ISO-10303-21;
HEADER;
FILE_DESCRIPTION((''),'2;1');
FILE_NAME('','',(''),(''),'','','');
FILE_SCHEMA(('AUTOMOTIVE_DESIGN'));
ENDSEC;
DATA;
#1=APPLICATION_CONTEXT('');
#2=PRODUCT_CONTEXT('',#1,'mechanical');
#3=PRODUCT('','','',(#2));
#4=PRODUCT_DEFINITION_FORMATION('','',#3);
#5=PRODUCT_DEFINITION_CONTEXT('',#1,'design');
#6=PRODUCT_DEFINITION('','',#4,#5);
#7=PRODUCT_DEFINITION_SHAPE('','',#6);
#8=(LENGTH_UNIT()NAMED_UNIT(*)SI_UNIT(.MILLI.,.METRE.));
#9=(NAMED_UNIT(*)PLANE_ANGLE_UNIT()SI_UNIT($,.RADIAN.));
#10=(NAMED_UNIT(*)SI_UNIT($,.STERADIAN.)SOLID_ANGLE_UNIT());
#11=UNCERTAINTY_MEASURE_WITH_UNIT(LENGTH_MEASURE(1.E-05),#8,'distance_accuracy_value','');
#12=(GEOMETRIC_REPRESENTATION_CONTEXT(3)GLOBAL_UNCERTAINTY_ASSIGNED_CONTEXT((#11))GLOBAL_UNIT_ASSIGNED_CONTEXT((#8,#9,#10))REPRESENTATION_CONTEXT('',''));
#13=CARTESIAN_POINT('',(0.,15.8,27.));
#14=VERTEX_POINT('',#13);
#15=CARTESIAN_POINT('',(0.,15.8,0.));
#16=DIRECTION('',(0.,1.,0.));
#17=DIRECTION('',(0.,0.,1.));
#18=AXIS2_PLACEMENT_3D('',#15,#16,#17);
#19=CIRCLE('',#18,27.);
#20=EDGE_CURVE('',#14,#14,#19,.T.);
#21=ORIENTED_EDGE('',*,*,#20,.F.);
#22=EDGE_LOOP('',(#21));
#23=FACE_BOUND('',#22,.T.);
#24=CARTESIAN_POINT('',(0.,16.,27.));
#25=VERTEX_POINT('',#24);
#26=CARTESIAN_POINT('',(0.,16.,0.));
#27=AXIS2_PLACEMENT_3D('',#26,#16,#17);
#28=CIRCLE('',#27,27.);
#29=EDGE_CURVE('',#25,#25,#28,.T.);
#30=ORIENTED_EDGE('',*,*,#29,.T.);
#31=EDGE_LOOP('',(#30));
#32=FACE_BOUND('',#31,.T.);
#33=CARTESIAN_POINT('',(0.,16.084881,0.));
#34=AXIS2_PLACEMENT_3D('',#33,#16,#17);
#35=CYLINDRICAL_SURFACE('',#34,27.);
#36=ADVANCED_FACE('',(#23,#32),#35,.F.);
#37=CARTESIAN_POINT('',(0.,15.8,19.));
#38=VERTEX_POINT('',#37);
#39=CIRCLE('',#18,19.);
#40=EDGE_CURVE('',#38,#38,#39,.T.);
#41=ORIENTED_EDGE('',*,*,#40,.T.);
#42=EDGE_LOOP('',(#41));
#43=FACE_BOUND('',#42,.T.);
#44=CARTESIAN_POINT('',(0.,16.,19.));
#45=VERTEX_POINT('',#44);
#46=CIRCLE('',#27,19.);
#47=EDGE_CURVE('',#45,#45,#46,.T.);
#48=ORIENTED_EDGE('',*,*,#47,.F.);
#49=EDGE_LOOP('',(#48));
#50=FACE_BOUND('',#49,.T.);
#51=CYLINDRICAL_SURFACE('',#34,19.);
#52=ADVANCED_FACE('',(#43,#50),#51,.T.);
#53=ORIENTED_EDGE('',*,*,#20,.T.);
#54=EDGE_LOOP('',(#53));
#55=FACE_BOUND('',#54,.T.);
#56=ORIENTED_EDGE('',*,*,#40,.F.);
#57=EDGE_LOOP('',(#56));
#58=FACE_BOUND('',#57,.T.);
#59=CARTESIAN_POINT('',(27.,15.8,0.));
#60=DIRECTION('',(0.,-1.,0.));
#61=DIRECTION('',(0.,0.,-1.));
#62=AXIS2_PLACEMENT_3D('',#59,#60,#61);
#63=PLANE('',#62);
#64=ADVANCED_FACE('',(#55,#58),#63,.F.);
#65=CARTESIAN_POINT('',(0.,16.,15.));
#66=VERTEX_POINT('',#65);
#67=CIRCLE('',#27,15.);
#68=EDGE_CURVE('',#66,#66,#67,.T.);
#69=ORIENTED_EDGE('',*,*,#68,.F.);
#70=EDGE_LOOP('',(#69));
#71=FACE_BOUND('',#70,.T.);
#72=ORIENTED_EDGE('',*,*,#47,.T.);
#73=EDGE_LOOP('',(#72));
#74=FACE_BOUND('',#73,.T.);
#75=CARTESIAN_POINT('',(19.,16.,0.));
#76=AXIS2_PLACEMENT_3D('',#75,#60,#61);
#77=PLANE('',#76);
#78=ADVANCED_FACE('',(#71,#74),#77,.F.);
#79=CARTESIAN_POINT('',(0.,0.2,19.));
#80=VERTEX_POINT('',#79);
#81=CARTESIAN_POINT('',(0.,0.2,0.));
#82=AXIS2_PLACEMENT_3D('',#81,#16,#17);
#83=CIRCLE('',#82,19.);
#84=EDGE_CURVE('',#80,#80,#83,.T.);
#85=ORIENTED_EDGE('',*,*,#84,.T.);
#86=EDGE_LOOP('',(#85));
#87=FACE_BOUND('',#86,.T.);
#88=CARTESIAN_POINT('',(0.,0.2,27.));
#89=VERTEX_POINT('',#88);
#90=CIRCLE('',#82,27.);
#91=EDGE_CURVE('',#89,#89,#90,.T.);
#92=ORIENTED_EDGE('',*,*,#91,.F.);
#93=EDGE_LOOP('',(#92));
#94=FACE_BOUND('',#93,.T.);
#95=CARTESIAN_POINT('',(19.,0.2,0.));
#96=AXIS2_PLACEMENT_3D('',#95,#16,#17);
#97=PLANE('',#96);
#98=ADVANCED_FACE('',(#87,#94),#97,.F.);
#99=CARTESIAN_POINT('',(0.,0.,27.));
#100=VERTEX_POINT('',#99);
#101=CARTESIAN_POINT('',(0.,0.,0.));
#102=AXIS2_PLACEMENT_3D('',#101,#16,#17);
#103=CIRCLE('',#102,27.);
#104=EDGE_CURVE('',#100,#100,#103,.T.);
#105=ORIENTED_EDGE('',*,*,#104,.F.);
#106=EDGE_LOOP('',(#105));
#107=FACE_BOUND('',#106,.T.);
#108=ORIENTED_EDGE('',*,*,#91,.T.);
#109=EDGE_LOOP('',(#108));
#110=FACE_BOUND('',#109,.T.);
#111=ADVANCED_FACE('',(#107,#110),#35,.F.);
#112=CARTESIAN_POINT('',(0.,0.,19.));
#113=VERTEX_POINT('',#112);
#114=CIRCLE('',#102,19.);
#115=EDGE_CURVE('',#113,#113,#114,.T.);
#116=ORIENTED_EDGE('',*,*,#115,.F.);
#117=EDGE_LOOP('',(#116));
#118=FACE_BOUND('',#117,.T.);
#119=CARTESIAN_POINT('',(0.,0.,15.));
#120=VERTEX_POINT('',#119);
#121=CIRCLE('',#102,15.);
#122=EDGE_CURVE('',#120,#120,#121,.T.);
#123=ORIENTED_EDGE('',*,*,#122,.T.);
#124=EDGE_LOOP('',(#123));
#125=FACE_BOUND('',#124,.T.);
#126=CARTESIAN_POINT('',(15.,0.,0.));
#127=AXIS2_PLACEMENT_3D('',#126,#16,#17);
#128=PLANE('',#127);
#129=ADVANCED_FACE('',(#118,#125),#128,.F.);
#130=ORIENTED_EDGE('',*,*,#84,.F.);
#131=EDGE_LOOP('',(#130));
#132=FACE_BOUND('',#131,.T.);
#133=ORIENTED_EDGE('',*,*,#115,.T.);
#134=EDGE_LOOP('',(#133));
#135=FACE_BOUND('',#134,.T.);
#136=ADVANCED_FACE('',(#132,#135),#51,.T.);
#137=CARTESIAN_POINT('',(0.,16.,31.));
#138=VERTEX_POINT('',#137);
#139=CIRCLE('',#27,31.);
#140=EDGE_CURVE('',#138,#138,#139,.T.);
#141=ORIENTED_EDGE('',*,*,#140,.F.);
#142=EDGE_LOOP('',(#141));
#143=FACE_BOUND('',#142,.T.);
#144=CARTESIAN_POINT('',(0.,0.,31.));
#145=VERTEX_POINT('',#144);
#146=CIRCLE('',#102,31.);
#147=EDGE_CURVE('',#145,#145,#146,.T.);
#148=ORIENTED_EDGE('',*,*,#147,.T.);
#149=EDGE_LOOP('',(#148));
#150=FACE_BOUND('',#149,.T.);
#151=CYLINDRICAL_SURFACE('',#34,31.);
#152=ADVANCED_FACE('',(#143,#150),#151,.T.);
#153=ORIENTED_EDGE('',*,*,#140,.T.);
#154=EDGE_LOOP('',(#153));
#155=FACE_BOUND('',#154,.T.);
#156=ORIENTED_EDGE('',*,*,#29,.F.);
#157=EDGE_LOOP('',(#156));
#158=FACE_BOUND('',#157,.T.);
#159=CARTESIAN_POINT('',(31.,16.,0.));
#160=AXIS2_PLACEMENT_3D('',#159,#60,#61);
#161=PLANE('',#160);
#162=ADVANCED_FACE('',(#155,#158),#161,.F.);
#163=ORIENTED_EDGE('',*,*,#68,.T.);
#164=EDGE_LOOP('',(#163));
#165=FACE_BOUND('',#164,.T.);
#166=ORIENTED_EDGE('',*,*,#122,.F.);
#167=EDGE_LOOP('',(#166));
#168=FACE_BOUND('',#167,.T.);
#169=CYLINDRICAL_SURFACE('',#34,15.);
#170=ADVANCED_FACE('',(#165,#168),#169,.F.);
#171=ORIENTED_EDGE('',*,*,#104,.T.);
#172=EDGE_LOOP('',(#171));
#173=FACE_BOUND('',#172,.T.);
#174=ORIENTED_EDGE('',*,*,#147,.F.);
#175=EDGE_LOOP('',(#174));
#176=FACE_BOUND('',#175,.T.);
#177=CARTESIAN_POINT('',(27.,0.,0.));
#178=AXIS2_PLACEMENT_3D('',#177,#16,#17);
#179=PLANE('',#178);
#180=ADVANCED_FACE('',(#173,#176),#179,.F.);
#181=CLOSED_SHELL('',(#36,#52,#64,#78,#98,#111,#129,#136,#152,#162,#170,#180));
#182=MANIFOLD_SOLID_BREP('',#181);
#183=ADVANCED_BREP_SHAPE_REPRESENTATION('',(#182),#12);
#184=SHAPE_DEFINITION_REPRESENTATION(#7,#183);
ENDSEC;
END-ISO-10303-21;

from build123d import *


with BuildPart() as part:
    # Skica1 → Rotovat1 (revolve)
    with BuildSketch(Plane.XY):
        Polygon((31, 0), (31, 16), (27, 16), (27, 15.8), (19, 15.8), (19, 16), (15, 16), (15, 0), (19, 0), (19, 0.2), (27, 0.2), (27, 0), align=None)
    revolve(axis=Axis((0, 16.084881291, 0), (0, -1, 0)))


solid = part.part
